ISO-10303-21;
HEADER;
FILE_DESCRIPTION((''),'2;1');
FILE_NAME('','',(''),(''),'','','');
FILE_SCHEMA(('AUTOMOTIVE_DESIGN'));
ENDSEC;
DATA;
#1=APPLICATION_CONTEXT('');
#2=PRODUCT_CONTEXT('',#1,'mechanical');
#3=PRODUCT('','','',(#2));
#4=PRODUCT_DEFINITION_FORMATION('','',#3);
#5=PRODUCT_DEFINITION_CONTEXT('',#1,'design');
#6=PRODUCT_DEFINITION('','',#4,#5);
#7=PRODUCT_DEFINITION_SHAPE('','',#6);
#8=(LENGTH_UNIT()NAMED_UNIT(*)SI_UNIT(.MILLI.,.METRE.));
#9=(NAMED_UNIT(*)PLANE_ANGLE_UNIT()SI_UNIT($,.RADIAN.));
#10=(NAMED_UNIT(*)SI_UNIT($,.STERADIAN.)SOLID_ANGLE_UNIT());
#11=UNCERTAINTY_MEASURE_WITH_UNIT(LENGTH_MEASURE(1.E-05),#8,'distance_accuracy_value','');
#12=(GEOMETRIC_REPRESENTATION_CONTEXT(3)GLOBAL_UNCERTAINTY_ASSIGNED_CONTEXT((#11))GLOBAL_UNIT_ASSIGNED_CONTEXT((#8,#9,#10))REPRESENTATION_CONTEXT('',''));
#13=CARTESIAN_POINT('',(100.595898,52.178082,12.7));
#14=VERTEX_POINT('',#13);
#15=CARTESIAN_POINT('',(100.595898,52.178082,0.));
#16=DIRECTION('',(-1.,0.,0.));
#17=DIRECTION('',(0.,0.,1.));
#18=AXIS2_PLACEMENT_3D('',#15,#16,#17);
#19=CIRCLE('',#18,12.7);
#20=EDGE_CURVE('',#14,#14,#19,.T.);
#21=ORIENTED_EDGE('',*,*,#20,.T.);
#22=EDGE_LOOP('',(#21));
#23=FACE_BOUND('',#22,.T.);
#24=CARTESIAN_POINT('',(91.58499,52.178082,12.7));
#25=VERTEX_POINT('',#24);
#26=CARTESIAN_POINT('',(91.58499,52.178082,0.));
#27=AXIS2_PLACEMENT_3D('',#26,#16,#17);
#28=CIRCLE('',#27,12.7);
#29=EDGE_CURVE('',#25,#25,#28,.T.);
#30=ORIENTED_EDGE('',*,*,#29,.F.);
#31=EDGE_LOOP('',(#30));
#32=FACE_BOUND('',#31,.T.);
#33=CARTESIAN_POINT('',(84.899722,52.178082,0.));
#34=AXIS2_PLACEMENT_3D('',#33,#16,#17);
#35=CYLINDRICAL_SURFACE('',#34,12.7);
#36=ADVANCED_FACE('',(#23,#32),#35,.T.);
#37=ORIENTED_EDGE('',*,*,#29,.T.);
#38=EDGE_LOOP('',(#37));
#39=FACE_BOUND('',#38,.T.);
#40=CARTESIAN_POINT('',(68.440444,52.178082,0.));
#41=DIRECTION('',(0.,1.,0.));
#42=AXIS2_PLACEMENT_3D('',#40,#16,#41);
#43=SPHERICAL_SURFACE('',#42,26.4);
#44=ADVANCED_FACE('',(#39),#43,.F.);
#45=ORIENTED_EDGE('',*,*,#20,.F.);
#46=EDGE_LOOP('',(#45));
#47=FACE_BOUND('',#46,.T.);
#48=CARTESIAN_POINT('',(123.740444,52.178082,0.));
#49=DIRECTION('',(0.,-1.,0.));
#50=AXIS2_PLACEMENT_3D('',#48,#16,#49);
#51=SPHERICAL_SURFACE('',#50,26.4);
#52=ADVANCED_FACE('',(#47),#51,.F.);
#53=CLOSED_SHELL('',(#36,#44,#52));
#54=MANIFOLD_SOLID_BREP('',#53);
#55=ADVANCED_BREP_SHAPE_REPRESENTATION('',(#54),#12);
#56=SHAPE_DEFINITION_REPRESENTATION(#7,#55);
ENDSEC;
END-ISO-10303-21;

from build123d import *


with BuildPart() as part:
    # 草图1 → 旋转1 (revolve)
    with BuildSketch(Plane.XY, mode=Mode.PRIVATE) as revolve_1_sk:
        with BuildLine():
            Line((94.840443968, 52.178082298), (97.340443968, 52.178082298))
            ThreePointArc((97.340443968, 52.178082298), (98.167254795, 58.733385153), (100.595898175, 64.878082298))
            Line((100.595898175, 64.878082298), (96.090443968, 64.878082298))
            Line((96.090443968, 64.878082298), (91.584989762, 64.878082298))
            ThreePointArc((91.584989762, 64.878082298), (94.013633141, 58.733385153), (94.840443968, 52.178082298))
        make_face()
    revolve(revolve_1_sk.sketch.rotate(Axis((84.899722228, 52.178082298, 0), (1, 0, 0)), 90), axis=Axis((84.899722228, 52.178082298, 0), (1, 0, 0)))  # turned: the seam where the file's is


solid = part.part
